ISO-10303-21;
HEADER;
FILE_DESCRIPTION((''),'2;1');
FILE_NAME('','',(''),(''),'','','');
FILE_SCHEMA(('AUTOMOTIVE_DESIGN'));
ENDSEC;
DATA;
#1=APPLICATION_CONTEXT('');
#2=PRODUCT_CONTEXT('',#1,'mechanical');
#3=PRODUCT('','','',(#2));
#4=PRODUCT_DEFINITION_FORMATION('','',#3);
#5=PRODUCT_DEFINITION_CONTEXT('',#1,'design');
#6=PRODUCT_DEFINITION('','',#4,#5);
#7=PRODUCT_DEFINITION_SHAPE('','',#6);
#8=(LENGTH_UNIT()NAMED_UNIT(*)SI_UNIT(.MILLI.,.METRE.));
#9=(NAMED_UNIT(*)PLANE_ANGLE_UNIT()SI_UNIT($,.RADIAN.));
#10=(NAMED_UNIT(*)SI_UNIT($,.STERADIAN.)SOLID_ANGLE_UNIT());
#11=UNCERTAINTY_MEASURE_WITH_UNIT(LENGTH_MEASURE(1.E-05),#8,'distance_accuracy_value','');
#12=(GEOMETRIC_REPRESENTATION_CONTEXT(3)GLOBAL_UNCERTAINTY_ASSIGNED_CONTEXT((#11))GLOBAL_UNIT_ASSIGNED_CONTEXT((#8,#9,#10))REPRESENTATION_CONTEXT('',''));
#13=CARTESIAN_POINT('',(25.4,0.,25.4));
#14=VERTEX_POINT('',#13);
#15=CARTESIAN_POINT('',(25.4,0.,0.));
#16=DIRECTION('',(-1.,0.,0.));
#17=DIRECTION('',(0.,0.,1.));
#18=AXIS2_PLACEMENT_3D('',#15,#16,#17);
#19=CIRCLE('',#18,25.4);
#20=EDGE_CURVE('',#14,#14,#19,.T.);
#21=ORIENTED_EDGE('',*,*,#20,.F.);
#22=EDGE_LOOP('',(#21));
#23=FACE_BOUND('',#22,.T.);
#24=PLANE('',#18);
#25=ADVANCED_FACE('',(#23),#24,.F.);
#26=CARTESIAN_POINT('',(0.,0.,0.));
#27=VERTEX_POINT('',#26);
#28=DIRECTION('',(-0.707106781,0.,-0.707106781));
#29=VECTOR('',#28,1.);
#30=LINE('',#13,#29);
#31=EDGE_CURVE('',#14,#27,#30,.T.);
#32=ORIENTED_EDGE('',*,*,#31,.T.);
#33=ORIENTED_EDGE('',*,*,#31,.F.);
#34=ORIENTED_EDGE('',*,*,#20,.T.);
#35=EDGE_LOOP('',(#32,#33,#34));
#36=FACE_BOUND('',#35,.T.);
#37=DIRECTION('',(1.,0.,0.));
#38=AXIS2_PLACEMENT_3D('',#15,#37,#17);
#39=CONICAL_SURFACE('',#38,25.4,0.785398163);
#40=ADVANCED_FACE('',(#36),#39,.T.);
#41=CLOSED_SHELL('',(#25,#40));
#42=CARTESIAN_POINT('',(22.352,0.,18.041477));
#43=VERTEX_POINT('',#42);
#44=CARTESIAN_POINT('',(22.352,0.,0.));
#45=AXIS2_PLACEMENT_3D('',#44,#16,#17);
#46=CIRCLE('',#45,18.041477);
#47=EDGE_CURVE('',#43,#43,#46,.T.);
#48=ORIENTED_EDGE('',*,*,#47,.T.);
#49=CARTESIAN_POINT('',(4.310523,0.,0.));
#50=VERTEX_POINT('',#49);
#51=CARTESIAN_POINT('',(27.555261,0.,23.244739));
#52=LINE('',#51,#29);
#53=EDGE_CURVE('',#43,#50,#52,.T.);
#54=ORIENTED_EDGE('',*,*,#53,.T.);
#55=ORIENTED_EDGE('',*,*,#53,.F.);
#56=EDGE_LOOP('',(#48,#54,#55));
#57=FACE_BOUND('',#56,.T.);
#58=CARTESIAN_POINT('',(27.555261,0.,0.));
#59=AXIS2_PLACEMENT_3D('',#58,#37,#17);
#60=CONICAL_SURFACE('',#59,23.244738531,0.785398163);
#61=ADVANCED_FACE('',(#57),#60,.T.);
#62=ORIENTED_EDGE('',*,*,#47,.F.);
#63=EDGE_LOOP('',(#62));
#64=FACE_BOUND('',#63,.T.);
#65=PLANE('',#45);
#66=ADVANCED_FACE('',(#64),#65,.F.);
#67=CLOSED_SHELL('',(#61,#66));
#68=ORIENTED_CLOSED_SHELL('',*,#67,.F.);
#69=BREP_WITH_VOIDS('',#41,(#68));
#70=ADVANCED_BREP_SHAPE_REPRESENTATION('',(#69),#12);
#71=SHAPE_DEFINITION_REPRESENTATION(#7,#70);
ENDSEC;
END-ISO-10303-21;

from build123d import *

# Parameters (mm, degrees)
F2_T = -3.048


with BuildPart() as f1:
    # F0 (on Front) → F1 (revolve)
    with BuildSketch(Plane.XZ):
        with BuildLine():
            Line((25.4, 25.4), (0, 0))
            ThreePointArc((0, 0), (17.9605122421, 7.4394877579), (25.4, 25.4))
        make_face()
        with BuildLine():
            ThreePointArc((25.4, 25.4), (17.9605122421, 7.4394877579), (0, 0))
            Line((0, 0), (25.4, 0))
            Line((25.4, 0), (25.4, 25.4))
        make_face()
    revolve(axis=Axis((12.7, 0, 0), (-1, 0, 0)))

    # F2 (hollow: no face is removed)
    offset(amount=F2_T, mode=Mode.SUBTRACT)


solid = f1.part
